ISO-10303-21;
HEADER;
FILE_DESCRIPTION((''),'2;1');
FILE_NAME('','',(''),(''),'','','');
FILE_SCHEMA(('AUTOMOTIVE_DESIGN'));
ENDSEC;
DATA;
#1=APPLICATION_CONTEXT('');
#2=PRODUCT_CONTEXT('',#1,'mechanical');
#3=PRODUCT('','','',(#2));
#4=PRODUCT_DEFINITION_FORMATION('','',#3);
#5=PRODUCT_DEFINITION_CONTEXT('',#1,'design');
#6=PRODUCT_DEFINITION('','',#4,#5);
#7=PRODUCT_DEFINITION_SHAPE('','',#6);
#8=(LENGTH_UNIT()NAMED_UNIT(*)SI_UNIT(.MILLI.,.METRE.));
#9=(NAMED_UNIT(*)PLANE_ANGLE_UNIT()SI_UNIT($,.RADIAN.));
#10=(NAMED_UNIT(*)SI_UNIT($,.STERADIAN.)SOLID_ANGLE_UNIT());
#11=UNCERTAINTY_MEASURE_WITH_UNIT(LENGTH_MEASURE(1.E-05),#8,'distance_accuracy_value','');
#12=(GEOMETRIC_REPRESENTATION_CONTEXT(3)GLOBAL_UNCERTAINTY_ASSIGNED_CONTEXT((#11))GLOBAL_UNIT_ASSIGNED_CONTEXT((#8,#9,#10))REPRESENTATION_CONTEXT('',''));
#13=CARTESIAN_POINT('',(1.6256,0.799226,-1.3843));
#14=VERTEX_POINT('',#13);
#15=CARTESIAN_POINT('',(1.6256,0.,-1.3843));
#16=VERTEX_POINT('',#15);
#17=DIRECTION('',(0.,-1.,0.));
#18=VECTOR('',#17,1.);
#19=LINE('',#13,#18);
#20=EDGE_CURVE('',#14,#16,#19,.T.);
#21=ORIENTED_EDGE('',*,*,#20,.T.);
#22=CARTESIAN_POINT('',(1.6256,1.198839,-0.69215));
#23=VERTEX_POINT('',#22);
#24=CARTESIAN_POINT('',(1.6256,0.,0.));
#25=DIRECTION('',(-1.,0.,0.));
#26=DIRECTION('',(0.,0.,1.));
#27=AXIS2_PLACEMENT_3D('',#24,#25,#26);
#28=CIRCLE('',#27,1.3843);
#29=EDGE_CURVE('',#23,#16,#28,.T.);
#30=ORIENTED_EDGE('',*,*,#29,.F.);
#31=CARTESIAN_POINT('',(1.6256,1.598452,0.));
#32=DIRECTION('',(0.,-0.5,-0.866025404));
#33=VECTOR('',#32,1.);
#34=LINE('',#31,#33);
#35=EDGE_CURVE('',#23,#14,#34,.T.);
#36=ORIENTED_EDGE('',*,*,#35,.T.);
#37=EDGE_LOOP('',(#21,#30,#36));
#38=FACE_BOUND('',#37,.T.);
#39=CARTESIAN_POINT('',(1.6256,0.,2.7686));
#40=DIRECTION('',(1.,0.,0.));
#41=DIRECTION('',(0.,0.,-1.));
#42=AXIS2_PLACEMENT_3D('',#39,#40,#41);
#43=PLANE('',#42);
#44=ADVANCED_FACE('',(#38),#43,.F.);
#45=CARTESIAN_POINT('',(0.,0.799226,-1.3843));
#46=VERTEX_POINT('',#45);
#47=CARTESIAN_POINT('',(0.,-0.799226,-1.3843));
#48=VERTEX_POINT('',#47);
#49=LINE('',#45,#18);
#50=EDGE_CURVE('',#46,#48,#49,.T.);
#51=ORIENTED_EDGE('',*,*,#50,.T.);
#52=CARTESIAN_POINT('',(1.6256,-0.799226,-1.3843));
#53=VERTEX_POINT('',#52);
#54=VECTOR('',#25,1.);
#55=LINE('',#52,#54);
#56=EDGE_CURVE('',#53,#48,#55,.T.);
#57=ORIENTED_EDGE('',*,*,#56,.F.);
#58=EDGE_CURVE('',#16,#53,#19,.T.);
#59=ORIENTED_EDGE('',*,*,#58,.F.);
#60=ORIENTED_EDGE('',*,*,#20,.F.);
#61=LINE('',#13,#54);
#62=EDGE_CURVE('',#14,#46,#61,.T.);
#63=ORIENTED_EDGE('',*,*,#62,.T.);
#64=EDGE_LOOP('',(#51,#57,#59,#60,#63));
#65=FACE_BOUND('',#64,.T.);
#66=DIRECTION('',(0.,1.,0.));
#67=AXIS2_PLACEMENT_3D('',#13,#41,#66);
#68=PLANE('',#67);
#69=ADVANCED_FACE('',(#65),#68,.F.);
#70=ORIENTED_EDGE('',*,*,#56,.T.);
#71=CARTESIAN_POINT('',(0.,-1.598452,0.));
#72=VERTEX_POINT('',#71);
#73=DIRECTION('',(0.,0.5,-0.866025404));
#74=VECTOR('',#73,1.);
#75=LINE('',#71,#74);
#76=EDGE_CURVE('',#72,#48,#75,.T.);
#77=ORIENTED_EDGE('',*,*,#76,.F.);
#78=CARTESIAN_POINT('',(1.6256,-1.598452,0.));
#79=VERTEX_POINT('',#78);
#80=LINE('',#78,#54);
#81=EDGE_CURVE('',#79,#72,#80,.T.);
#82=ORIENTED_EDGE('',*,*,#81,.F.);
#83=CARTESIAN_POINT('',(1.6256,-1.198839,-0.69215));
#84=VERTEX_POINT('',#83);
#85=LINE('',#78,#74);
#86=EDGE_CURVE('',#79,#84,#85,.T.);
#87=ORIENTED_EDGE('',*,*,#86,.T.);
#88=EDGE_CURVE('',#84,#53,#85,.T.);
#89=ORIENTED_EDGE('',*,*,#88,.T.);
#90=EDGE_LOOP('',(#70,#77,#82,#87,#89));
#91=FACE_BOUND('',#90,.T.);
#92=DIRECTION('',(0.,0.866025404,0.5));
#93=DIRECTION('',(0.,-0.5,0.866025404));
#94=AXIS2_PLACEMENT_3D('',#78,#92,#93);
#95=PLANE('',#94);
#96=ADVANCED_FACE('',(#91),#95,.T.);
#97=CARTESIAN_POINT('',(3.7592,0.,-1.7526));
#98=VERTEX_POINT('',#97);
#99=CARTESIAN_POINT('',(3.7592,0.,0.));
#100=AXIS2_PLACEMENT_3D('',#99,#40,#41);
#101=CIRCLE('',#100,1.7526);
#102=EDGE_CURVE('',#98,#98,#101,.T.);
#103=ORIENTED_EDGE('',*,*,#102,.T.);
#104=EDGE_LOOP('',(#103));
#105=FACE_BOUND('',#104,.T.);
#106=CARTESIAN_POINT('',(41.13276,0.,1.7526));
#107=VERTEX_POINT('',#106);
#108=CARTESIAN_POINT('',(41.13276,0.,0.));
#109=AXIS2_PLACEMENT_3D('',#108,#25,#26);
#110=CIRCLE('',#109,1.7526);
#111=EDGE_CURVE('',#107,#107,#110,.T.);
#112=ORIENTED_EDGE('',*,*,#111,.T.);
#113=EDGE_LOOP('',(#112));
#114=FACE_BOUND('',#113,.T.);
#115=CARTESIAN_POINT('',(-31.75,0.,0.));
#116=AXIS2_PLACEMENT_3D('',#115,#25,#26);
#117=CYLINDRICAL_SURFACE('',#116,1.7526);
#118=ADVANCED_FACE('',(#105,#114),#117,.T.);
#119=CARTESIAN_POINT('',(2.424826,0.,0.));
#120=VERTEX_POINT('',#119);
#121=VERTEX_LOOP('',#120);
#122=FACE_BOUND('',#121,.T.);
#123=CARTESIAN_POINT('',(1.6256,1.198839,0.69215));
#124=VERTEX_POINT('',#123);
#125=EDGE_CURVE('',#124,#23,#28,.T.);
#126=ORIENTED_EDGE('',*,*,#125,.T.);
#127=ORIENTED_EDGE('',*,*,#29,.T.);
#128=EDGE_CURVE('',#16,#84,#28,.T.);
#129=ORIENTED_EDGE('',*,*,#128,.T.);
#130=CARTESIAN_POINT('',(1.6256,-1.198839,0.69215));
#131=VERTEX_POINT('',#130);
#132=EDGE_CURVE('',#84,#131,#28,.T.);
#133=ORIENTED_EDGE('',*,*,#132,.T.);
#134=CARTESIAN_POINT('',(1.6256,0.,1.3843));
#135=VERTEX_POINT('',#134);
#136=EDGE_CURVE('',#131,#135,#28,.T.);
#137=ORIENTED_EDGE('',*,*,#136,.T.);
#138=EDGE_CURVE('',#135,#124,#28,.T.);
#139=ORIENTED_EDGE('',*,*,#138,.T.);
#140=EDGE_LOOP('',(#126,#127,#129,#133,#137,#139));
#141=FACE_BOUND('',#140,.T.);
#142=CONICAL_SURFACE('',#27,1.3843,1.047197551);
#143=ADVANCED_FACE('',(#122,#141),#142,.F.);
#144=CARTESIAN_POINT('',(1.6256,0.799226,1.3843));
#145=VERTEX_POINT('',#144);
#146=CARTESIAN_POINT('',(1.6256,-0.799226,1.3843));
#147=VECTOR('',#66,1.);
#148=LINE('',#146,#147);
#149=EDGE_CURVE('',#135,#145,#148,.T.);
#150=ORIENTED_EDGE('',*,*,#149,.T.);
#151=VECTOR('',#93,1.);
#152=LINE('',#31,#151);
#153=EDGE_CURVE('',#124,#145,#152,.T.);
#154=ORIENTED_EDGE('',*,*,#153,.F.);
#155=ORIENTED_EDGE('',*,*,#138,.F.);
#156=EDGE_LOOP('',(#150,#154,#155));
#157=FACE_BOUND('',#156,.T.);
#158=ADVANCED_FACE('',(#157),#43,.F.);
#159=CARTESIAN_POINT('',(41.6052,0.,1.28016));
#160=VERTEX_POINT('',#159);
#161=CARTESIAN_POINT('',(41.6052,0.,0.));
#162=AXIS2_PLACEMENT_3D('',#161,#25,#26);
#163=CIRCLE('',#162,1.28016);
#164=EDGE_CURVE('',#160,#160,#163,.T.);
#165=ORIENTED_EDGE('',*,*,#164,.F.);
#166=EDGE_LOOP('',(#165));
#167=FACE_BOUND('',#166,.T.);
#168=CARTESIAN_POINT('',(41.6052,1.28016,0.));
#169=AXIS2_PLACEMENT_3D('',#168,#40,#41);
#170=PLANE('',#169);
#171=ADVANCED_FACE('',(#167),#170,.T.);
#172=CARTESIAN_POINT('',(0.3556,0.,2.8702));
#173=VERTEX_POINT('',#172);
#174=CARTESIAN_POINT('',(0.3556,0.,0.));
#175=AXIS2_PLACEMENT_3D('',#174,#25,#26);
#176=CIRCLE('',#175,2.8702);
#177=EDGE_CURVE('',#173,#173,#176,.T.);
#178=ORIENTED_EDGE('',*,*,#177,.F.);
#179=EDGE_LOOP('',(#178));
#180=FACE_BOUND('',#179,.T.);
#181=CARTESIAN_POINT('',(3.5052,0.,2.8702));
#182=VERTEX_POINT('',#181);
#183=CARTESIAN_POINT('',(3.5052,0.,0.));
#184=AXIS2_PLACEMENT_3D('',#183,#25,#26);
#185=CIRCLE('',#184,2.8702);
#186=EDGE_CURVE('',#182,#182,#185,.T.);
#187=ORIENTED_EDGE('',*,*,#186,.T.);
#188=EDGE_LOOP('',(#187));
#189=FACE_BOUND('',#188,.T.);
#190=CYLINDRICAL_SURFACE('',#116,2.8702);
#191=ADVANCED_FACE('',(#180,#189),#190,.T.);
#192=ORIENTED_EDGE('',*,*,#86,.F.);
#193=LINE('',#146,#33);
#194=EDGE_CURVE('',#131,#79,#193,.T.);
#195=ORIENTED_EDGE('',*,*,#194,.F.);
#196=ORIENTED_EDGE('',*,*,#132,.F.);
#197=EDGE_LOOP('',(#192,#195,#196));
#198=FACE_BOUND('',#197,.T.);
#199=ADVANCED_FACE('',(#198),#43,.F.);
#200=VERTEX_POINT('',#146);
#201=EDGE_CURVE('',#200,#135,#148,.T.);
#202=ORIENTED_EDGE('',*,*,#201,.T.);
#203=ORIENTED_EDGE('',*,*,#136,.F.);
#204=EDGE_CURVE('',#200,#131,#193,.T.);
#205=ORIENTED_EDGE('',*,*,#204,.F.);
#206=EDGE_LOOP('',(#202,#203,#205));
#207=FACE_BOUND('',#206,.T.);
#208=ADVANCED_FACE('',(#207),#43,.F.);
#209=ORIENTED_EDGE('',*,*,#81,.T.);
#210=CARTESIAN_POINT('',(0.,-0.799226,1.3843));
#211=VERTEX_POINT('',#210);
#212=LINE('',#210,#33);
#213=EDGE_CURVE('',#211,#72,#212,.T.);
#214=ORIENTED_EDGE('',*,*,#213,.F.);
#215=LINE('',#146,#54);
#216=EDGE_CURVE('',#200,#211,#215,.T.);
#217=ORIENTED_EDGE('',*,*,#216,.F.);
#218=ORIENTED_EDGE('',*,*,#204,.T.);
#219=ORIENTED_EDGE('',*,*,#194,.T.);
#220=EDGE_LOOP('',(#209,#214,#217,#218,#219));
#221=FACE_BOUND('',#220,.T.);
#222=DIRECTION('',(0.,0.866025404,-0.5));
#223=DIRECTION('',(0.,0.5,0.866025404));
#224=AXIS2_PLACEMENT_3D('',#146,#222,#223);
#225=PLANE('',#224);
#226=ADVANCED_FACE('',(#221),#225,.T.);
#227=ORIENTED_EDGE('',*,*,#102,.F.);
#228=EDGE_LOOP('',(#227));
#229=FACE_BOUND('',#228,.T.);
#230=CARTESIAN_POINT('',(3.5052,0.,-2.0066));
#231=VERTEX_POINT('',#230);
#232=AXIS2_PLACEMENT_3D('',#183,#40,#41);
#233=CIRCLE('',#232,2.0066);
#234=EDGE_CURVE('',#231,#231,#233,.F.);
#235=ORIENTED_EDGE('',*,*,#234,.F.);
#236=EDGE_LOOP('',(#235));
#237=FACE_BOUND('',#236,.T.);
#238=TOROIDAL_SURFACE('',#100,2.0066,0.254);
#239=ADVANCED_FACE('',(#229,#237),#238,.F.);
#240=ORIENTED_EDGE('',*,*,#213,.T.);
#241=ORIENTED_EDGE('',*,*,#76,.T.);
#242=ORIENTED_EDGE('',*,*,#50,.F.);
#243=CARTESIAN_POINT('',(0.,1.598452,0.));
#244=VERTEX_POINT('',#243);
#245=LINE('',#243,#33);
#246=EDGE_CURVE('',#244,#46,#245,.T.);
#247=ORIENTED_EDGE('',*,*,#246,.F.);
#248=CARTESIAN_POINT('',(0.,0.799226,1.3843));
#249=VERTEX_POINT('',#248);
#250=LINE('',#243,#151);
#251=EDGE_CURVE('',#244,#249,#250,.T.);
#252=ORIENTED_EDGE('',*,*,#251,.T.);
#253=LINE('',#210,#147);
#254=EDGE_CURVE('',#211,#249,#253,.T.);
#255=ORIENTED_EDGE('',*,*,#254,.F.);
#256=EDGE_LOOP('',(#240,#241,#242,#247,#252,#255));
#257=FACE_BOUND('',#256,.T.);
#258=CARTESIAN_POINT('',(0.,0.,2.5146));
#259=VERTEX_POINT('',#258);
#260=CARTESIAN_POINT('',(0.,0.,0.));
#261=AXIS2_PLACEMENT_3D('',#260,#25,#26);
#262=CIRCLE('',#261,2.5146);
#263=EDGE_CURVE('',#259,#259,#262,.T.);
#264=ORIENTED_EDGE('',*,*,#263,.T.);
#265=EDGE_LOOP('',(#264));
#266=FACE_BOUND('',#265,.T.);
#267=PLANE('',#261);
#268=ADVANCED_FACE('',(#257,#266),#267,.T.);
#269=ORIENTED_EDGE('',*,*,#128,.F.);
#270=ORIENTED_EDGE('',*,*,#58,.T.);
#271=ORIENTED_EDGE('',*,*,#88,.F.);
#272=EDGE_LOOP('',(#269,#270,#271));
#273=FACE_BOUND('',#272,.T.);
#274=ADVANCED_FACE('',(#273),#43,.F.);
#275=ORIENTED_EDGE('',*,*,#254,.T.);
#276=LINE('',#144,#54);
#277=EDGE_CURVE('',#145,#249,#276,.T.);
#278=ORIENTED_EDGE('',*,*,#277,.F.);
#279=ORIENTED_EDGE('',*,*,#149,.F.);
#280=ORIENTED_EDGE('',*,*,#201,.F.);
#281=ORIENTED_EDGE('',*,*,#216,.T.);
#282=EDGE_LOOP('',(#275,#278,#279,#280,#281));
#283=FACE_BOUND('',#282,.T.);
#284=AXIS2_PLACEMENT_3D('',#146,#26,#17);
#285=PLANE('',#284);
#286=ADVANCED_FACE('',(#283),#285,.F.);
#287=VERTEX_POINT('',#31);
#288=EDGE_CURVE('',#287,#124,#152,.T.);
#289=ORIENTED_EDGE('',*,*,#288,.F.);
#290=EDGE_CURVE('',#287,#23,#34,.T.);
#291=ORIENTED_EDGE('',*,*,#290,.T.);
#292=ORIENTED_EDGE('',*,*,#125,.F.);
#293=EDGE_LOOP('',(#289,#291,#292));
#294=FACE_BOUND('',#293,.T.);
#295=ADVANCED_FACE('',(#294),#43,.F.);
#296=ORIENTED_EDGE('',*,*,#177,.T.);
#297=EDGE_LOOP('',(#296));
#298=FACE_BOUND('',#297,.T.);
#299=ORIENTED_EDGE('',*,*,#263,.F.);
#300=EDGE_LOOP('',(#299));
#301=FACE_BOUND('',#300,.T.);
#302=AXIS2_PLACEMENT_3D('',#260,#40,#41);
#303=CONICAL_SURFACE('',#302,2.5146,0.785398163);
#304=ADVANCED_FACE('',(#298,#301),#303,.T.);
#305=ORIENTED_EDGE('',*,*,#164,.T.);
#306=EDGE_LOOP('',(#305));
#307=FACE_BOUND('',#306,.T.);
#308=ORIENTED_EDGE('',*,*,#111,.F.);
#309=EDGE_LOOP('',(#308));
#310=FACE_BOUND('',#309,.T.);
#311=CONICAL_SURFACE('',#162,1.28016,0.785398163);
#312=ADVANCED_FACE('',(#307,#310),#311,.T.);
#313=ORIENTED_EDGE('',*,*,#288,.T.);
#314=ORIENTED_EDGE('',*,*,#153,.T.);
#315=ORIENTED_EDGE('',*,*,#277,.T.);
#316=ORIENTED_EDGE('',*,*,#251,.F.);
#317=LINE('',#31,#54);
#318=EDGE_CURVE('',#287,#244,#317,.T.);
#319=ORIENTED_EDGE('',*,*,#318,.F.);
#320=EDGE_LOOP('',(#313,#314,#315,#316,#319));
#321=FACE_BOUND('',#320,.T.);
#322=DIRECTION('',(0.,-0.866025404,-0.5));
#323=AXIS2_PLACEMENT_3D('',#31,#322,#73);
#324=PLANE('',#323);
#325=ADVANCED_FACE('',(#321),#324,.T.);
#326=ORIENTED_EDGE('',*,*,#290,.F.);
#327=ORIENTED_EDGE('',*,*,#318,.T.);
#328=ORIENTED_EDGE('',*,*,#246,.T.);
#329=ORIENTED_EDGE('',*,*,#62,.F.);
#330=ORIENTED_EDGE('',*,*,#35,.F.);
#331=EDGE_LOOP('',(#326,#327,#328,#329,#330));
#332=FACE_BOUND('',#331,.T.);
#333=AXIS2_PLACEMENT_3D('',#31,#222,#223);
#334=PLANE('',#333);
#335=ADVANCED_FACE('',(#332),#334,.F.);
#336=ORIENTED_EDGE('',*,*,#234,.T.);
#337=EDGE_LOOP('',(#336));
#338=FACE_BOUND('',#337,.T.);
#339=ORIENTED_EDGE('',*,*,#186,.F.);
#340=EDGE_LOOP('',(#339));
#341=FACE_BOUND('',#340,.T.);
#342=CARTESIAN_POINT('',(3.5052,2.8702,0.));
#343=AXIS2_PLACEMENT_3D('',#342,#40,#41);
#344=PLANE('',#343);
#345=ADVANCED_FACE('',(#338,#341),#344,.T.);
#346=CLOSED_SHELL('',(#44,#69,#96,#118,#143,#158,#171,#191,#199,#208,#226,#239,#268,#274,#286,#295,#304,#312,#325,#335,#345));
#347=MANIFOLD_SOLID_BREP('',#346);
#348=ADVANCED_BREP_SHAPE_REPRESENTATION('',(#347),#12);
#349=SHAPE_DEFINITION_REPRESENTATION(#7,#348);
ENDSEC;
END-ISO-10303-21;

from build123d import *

# Parameters (mm, degrees)
FILLET1_R   = 0.254
HEX_2_DEPTH = 1.6256


with BuildPart() as part:
    # BodySke → Base-Revolve (revolve)
    with BuildSketch(Plane.XY):
        Polygon((0, 0), (0, 2.5146), (0.3556, 2.8702), (3.5052, 2.8702), (3.5052, 1.7526), (41.13276, 1.7526), (41.6052, 1.28016), (41.6052, 0), align=None)
    revolve(axis=Axis((-31.75, 0, 0), (1, 0, 0)))

    # Fillet1
    fillet1_edges = [part.edges().sort_by_distance(p)[0] for p in [
        (3.5052, -1.7526, 0),
    ]]
    fillet(fillet1_edges, radius=FILLET1_R)

    # Sketch2 → Hex-PreBroach (revolve, cut)
    with BuildSketch(Plane.XY):
        Polygon((0, 1.3843), (1.6256, 1.3843), (2.424825978, 0), (0, 0), align=None)
    revolve(axis=Axis((0, 0, 0), (1, 0, 0)), mode=Mode.SUBTRACT)

    # Sketch3 → Hex 2 (cut)
    with BuildSketch(Plane(origin=(0, 0, 0), x_dir=(0, 0.5, 0.866025404), z_dir=(-1, 0, 0))):
        Polygon((0.799225978, 1.3843), (-0.799225978, 1.3843), (-1.598451955, 0), (-0.799225978, -1.3843), (0.799225978, -1.3843), (1.598451955, 0), align=None)
    extrude(amount=-HEX_2_DEPTH, mode=Mode.SUBTRACT)


solid = part.part
